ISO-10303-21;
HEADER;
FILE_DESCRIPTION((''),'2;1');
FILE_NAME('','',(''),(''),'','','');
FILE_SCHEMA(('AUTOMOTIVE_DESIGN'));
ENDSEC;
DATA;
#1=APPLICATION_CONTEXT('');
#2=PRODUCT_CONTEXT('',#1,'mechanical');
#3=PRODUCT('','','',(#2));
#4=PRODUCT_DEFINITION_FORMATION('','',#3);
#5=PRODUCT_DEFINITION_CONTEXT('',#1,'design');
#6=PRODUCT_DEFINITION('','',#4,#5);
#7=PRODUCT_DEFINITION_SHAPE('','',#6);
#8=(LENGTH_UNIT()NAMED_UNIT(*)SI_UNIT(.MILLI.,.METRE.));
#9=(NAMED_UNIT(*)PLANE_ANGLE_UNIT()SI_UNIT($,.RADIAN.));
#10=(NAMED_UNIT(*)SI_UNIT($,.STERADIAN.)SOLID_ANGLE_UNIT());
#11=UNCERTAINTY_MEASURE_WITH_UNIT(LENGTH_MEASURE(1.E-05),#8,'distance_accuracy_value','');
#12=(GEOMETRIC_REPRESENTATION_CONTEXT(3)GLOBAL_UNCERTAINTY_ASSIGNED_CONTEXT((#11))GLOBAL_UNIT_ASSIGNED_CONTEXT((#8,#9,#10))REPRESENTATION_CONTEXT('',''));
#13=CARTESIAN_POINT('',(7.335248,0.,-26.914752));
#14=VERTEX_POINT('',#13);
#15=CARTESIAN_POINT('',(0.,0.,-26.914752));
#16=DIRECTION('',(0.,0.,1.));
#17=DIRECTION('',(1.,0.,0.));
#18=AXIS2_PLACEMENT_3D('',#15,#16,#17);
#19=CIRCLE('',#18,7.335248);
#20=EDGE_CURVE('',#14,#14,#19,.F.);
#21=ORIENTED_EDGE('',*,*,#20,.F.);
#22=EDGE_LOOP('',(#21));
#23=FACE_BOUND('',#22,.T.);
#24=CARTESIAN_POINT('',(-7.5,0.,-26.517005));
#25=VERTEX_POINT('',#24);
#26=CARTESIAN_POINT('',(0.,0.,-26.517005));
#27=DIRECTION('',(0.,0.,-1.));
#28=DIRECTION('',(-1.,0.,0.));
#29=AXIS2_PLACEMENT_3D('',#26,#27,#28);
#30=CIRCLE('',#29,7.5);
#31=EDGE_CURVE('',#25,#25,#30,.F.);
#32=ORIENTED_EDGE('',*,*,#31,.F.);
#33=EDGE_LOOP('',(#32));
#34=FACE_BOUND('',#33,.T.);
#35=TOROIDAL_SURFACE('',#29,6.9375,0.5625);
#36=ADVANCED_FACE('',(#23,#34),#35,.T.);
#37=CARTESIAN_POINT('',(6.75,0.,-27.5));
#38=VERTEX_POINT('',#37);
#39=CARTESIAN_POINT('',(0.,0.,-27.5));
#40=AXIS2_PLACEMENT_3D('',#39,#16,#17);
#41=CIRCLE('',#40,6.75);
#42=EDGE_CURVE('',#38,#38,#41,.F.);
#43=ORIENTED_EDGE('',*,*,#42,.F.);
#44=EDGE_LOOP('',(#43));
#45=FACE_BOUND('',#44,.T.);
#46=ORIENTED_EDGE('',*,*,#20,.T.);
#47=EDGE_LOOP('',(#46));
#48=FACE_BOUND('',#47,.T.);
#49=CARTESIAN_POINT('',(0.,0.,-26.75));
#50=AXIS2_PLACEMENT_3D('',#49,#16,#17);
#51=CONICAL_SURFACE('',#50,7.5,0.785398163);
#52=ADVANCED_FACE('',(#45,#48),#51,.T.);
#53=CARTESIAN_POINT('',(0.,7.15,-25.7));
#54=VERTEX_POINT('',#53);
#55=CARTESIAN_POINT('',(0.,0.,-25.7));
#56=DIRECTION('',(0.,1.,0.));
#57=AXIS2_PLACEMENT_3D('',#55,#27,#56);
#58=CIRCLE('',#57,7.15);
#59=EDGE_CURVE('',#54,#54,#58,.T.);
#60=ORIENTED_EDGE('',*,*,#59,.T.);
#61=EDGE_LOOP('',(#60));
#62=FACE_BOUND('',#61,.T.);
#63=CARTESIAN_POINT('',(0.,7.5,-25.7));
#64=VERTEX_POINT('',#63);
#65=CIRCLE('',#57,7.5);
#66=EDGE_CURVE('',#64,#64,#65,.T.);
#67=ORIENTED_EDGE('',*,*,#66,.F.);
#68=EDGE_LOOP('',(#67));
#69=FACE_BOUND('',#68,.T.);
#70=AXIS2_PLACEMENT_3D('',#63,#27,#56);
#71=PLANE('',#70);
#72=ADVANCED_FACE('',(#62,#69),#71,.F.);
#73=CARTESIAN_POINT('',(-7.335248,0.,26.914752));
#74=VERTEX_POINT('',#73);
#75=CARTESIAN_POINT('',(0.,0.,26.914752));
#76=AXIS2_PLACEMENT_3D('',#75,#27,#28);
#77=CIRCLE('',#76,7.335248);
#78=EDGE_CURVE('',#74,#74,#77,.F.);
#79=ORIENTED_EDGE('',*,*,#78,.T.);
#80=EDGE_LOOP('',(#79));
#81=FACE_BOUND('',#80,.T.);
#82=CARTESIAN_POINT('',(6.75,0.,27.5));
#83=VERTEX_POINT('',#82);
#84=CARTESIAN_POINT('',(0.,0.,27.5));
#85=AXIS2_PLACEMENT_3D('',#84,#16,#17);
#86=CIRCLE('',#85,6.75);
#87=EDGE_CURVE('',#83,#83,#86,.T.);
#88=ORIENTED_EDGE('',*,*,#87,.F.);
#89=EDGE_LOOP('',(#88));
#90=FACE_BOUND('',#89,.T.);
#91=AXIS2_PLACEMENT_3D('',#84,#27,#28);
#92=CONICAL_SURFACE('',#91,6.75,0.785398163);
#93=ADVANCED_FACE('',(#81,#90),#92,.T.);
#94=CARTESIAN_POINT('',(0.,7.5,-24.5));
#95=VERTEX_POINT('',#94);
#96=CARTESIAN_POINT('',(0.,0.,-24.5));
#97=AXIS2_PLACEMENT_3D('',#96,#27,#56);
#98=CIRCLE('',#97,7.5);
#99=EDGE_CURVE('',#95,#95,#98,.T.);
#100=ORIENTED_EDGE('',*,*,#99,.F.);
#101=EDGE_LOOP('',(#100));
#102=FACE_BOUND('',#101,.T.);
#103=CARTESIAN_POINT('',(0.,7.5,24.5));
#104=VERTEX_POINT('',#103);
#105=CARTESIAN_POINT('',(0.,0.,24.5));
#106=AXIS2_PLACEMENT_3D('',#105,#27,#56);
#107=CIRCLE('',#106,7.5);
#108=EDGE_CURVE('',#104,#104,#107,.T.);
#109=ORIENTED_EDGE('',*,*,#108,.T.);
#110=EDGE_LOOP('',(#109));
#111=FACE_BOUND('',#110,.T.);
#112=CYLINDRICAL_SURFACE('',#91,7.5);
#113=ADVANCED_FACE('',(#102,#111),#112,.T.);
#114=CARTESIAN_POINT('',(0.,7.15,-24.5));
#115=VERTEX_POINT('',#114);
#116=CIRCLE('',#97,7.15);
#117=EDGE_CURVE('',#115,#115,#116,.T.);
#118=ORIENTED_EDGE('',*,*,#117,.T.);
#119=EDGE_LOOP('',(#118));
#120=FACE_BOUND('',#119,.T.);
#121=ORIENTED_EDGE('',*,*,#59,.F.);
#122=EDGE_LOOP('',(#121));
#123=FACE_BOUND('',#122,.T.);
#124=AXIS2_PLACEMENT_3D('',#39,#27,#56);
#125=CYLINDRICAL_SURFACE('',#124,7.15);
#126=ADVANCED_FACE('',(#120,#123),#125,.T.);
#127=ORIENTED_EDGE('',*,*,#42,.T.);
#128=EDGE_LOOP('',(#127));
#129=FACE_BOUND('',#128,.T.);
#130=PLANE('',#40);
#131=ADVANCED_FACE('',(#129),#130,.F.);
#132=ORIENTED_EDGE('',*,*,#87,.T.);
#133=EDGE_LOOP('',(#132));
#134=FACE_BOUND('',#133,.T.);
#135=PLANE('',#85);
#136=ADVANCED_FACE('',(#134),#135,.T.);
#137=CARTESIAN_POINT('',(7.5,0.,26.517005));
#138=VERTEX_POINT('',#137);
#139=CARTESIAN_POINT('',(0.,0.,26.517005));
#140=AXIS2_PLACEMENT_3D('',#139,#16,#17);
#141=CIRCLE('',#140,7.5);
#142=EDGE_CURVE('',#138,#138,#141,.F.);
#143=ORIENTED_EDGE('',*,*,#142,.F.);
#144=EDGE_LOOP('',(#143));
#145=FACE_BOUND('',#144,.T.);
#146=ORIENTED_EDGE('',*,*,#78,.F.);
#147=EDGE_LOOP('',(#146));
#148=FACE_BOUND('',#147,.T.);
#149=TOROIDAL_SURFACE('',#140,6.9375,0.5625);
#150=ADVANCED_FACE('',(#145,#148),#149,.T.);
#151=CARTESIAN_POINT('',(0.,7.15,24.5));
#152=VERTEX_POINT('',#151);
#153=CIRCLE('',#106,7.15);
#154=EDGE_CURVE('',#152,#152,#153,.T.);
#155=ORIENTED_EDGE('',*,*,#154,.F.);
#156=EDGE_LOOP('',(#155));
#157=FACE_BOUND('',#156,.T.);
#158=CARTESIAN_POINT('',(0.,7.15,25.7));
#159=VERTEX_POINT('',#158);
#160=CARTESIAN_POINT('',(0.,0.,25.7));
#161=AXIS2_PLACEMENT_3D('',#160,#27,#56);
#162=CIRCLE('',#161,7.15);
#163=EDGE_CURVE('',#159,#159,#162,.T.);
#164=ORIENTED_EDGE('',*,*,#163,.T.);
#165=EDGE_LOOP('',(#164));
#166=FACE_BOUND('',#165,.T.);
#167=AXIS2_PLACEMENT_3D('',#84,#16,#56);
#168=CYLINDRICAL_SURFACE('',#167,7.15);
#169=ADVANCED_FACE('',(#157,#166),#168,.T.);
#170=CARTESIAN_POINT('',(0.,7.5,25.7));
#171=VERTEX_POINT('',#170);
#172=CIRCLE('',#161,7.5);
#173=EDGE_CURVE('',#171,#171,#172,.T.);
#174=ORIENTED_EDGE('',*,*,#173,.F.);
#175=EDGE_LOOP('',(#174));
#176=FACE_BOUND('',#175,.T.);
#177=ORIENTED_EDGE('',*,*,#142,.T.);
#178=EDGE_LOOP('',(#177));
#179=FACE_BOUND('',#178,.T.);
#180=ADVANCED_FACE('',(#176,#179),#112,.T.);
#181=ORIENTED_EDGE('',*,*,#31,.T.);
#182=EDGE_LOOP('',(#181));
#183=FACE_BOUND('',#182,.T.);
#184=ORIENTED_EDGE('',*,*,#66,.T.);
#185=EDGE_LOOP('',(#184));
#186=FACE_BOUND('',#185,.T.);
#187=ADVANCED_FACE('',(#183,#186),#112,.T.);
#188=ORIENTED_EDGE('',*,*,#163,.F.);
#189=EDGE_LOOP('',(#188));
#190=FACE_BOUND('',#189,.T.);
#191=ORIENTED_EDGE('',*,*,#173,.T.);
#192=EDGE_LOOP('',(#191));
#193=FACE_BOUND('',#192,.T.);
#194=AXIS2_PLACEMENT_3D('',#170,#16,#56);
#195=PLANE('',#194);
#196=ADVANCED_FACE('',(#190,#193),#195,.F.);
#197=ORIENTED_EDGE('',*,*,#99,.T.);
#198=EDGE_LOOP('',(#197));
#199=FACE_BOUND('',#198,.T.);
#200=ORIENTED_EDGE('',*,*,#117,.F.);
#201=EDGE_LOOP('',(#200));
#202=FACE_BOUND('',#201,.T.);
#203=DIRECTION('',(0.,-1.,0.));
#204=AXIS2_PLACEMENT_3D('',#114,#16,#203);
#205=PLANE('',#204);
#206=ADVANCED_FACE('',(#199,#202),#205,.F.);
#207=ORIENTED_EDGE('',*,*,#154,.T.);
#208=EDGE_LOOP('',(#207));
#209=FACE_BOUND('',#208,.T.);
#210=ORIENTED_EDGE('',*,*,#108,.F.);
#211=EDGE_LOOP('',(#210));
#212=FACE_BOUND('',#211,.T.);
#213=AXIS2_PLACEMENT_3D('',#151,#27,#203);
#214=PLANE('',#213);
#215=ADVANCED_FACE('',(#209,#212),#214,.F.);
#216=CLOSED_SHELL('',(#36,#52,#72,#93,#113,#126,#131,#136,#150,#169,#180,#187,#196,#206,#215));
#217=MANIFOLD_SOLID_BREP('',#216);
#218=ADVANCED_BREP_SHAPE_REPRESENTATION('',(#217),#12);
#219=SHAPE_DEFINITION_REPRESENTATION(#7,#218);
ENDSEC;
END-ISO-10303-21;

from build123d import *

# Parameters (mm, degrees)
SKETCH3_R           = 7.5
BOSS_EXTRUDE1_DEPTH = 27.5
CHAMFER1_SIZE       = 0.75
FILLET2_R           = 0.5625
SKETCH4_W           = 1.2
SKETCH4_H           = 0.35


with BuildPart() as part:
    # Sketch3 → Boss-Extrude1 (new, symmetric)
    with BuildSketch(Plane.XY):
        Circle(SKETCH3_R)
    extrude(amount=BOSS_EXTRUDE1_DEPTH, both=True)

    # Chamfer1
    chamfer1_edges = [part.edges().sort_by_distance(p)[0] for p in [
        (-7.5, 0, -27.5),
        (-7.5, 0, 27.5),
    ]]
    chamfer(chamfer1_edges, length=CHAMFER1_SIZE)

    # Fillet2
    fillet2_edges = [part.edges().sort_by_distance(p)[0] for p in [
        (-7.5, 0, -26.75),
        (-7.5, 0, 26.75),
    ]]
    fillet(fillet2_edges, radius=FILLET2_R)

    # Sketch4 → Cut-Revolve1 (revolve, cut)
    with BuildSketch(Plane(origin=(0, 0, 0), x_dir=(0, 0, -1), z_dir=(1, 0, 0))):
        with Locations((25.1, 7.325)):
            Rectangle(SKETCH4_W, SKETCH4_H)
    cut_revolve1 = revolve(axis=Axis((0, 0, -27.5), (0, 0, 1)), mode=Mode.SUBTRACT)

    # Mirror1: Cut-Revolve1 across plane
    add(cut_revolve1.mirror(Plane.XY), mode=Mode.SUBTRACT)


solid = part.part
